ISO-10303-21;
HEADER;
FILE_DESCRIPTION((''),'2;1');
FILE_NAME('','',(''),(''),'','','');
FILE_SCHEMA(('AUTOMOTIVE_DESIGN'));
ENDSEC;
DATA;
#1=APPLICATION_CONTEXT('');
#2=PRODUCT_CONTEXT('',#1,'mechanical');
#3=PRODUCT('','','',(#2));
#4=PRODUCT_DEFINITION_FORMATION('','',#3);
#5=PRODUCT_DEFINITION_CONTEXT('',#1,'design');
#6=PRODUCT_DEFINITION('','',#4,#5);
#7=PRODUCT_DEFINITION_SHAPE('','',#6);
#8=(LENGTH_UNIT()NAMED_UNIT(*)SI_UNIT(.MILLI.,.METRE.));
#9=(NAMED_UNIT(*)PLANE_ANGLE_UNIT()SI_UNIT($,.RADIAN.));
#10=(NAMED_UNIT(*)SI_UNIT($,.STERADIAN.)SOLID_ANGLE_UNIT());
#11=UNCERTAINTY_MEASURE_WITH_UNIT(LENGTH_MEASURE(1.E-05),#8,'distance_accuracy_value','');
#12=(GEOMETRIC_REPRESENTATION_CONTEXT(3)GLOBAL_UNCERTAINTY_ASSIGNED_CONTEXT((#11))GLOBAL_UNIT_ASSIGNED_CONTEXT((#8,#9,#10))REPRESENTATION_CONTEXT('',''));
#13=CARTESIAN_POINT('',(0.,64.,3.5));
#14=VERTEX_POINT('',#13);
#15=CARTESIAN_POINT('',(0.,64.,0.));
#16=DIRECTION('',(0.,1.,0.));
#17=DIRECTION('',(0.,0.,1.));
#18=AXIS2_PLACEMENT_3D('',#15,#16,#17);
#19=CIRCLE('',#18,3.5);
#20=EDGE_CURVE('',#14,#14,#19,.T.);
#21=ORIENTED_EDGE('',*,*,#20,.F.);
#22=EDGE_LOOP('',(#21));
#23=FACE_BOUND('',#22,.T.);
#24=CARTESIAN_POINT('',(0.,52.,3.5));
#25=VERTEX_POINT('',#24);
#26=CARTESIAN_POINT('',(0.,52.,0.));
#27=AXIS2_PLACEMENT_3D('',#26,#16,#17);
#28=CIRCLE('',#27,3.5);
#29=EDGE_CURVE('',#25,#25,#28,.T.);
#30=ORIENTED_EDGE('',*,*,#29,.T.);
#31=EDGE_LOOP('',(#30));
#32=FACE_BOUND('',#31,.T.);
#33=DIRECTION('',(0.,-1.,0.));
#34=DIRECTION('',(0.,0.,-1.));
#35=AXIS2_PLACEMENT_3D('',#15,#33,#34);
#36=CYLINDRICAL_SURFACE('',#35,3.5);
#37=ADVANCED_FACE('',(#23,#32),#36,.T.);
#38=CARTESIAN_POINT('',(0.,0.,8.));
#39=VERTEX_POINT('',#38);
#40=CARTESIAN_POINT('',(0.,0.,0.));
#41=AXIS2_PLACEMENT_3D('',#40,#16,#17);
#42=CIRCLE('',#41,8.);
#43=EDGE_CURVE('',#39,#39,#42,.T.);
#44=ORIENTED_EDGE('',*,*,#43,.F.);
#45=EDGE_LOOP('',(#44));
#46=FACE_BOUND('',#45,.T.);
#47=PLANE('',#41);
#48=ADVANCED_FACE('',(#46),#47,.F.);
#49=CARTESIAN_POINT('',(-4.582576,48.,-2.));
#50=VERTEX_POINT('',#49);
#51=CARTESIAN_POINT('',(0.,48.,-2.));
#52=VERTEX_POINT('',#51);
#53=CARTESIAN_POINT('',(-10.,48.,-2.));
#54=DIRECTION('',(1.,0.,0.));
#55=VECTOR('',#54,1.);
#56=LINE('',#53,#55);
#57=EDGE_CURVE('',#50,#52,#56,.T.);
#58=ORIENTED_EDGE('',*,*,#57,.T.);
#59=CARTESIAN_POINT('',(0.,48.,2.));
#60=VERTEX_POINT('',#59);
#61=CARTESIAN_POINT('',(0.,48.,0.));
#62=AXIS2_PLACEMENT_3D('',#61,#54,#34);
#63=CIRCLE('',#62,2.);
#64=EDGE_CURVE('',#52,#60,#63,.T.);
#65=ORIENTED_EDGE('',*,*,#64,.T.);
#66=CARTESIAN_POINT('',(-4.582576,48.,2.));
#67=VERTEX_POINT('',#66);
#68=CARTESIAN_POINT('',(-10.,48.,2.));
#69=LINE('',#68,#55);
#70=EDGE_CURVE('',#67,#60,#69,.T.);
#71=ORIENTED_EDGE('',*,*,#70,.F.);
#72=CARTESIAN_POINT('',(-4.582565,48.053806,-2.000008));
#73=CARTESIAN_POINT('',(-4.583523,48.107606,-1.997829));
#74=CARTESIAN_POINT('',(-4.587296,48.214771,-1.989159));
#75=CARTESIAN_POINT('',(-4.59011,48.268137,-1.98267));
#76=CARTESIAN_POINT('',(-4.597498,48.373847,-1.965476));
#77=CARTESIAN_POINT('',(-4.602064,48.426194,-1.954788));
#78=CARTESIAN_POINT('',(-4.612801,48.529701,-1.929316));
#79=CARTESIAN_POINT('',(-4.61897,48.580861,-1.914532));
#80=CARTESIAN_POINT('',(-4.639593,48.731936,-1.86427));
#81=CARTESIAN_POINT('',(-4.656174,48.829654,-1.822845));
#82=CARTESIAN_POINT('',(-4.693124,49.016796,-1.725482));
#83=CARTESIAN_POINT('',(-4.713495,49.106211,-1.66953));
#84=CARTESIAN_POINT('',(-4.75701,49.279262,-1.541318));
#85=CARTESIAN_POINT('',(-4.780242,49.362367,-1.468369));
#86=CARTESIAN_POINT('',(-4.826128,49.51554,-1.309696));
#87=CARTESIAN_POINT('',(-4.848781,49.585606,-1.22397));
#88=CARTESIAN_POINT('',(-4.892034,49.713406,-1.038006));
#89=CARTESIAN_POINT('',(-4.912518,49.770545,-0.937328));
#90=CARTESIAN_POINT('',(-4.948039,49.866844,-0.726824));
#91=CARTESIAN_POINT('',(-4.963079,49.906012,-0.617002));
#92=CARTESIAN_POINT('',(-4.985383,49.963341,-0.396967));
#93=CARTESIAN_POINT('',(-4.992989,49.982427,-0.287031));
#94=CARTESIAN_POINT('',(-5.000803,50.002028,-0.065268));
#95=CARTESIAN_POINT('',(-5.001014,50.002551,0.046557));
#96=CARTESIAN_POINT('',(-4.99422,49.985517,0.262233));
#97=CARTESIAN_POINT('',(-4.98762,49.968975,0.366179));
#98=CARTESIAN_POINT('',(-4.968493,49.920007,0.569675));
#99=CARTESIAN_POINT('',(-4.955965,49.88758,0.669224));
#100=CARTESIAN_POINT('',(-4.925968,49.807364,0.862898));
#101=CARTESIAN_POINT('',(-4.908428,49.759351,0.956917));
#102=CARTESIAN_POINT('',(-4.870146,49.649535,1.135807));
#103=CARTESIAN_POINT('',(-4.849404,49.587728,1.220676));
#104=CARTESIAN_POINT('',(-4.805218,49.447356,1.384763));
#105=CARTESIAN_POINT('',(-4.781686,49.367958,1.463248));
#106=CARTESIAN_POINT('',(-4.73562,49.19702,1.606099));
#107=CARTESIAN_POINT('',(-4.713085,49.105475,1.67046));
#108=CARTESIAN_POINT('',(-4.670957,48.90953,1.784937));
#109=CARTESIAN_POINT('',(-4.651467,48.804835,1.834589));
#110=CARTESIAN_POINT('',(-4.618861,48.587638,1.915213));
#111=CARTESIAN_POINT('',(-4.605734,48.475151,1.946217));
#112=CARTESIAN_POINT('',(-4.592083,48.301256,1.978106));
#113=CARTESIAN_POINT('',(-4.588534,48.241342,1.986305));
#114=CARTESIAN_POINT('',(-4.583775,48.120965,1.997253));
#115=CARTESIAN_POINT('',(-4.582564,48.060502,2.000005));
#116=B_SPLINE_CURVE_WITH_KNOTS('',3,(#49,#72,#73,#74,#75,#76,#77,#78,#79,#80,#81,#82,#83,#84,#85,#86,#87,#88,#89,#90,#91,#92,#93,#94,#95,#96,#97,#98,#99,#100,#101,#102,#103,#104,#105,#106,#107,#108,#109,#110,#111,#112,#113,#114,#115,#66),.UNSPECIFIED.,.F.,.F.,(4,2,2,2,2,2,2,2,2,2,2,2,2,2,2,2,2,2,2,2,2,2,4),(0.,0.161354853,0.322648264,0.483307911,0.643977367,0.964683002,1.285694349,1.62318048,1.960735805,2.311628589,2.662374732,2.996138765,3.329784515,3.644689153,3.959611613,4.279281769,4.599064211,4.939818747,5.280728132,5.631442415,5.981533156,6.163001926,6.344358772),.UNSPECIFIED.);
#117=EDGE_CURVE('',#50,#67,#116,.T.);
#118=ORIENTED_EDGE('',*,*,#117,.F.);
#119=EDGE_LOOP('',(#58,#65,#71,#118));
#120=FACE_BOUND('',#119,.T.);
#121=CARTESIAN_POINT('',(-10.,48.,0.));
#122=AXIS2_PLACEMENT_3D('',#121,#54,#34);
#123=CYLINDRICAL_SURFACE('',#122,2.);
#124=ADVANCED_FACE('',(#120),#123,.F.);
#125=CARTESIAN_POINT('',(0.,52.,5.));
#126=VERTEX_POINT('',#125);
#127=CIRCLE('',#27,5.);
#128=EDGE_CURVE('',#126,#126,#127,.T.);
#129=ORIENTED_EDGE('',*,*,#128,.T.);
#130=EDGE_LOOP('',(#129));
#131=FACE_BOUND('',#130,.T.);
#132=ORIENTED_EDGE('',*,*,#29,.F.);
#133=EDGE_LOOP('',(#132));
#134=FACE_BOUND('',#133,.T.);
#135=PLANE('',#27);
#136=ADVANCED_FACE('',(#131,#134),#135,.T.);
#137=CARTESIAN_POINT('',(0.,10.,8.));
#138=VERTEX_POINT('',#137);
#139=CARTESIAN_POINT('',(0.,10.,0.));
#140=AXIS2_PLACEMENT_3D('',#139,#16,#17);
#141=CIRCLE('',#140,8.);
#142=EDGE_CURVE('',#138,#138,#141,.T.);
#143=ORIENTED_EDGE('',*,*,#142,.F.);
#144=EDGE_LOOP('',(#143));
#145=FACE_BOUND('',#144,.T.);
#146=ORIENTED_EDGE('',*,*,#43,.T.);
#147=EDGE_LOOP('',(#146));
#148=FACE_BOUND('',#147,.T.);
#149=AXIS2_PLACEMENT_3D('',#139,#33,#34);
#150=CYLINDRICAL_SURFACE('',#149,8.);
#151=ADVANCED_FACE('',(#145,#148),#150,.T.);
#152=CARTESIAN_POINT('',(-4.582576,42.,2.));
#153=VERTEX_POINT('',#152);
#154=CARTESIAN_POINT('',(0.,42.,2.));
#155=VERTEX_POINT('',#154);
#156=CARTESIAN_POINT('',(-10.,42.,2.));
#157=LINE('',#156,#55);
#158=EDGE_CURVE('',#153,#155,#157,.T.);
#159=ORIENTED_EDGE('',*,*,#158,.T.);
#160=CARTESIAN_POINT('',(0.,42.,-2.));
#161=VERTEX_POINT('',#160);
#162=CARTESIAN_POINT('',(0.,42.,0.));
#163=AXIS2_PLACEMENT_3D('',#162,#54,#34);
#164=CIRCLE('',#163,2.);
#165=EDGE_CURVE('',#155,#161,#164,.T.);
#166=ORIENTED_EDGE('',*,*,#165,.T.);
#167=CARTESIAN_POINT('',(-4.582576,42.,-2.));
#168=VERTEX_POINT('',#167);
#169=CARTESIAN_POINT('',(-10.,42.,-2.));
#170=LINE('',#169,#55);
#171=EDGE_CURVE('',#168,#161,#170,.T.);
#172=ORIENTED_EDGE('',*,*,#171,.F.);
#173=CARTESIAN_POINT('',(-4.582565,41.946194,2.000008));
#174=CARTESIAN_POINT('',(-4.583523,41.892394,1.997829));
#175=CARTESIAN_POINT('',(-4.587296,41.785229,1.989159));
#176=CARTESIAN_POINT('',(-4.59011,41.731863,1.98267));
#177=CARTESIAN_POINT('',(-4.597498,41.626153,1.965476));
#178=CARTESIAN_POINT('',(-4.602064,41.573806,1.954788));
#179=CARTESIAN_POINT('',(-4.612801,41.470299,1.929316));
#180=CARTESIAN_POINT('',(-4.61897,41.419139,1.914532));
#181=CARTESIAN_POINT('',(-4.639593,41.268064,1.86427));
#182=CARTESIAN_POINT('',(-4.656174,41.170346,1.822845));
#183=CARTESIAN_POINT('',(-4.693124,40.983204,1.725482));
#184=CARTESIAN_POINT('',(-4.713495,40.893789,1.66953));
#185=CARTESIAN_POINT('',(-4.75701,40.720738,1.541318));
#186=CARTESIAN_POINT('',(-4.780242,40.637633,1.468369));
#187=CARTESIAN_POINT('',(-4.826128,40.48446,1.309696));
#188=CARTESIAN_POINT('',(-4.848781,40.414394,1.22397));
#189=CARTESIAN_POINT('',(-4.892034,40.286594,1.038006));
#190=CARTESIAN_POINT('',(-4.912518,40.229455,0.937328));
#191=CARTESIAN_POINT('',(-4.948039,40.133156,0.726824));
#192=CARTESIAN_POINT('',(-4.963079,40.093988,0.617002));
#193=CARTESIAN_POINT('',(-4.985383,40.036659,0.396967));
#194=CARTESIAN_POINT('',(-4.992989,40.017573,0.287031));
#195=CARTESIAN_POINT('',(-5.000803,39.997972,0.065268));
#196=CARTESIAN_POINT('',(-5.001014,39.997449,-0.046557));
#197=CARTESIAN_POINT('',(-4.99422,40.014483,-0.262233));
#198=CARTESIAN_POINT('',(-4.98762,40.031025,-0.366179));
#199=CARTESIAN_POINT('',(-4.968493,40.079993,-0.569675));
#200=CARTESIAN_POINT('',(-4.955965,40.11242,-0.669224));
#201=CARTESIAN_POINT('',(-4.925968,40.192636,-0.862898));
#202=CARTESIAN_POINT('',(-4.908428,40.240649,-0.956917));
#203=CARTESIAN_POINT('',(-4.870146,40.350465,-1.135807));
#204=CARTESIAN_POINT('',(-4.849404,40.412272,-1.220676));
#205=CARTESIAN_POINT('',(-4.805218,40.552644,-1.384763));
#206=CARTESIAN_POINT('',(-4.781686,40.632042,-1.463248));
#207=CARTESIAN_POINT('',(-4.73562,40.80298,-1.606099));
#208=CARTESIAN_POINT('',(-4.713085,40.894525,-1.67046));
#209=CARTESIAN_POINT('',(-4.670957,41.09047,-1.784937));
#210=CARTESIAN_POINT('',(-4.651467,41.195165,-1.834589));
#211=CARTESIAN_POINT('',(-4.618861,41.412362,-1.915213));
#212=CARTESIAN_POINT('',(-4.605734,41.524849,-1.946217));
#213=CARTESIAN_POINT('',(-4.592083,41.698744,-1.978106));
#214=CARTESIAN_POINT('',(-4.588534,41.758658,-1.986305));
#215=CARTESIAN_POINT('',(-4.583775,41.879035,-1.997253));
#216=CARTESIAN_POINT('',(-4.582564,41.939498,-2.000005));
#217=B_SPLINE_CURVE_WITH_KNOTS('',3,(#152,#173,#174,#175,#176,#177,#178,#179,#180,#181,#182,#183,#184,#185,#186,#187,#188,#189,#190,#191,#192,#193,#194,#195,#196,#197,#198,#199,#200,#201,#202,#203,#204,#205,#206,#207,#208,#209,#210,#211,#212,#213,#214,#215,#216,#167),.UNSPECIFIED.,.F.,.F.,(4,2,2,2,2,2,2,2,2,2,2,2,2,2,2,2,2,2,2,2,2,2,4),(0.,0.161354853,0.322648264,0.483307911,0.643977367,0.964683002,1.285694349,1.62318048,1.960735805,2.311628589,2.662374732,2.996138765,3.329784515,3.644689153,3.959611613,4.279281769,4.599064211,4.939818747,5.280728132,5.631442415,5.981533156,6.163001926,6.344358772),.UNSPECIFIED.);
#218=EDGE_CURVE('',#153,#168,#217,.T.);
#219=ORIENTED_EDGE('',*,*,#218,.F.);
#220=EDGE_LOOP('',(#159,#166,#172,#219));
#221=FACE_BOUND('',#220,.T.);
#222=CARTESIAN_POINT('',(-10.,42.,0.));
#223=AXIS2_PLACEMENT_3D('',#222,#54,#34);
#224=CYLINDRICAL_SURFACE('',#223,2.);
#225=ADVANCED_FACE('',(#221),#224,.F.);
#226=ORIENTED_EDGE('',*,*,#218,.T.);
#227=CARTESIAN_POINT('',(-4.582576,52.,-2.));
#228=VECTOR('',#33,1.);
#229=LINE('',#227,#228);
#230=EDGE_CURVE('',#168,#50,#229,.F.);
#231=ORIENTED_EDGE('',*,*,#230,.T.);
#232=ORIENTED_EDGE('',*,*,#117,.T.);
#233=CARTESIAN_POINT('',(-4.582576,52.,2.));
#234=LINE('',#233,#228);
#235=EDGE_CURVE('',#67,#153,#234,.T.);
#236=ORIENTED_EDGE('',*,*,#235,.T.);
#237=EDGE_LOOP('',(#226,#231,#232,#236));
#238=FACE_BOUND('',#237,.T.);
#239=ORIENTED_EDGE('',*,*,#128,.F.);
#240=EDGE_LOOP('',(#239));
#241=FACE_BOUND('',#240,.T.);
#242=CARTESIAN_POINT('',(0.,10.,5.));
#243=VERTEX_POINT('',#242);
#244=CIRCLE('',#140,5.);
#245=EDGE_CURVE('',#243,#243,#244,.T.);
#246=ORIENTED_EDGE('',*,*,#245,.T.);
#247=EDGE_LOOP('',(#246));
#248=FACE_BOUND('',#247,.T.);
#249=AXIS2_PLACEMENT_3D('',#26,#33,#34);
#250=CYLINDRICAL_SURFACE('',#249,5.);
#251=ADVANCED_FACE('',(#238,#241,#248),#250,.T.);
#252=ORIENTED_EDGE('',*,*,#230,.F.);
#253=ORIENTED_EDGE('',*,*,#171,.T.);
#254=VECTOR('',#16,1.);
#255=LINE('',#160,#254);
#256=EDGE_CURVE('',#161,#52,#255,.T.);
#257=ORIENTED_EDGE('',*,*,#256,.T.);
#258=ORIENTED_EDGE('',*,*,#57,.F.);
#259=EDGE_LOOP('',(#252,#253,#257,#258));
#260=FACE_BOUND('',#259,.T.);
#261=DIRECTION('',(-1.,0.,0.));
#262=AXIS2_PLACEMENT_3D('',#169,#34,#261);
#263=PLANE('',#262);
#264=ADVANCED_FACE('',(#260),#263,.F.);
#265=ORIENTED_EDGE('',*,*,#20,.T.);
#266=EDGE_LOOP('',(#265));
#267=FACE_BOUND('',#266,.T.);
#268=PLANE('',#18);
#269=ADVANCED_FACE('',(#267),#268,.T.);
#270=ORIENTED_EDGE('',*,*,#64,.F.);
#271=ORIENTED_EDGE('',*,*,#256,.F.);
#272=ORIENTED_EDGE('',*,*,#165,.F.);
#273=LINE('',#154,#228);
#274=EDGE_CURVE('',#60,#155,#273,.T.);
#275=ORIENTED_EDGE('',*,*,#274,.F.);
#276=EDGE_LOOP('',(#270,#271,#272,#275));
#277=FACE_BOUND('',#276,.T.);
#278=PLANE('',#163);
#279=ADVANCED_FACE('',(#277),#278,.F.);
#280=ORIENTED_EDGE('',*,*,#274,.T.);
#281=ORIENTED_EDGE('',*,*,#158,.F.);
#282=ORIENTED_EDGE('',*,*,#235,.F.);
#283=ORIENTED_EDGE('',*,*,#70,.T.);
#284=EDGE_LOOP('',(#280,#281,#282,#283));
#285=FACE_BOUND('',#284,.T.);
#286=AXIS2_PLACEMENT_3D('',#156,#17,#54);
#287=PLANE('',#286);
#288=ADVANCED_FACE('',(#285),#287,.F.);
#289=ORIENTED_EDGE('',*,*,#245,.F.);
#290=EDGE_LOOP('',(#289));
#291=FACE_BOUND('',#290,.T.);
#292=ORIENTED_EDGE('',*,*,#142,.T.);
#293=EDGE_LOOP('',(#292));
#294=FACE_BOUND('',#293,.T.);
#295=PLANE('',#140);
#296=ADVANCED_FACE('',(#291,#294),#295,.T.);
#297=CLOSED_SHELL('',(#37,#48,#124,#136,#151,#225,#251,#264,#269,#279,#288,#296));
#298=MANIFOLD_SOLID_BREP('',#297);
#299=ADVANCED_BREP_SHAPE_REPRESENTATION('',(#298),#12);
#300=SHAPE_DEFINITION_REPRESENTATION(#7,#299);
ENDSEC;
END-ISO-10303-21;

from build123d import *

# Parameters (mm, degrees)
SKETCH_1_R          = 8
EXTRUDE_1_DEPTH     = 10
SKETCH_2_R          = 5
EXTRUDE_2_DEPTH     = 42
SKETCH_3_R          = 3.5
EXTRUDE_3_DEPTH     = 12
CUT_EXTRUDE_1_DEPTH = 10


with BuildPart() as part:
    # Эскиз1 → Бобышка-Вытянуть1 (new body)
    with BuildSketch(Plane(origin=(0, 0, 0), x_dir=(1, 0, 0), z_dir=(0, 1, 0))):
        Circle(SKETCH_1_R)
    extrude(amount=EXTRUDE_1_DEPTH)

    # Эскиз2 → Бобышка-Вытянуть2 (add)
    with BuildSketch(Plane(origin=(0, 10, 0), x_dir=(1, 0, 0), z_dir=(0, 1, 0))):
        Circle(SKETCH_2_R)
    extrude(amount=EXTRUDE_2_DEPTH)

    # Эскиз3 → Бобышка-Вытянуть3 (add)
    with BuildSketch(Plane(origin=(0, 52, 0), x_dir=(1, 0, 0), z_dir=(0, 1, 0))):
        Circle(SKETCH_3_R)
    extrude(amount=EXTRUDE_3_DEPTH)

    # Эскиз4 → Вырез-Вытянуть1 (cut)
    with BuildSketch(Plane(origin=(0, 0, 0), x_dir=(0, 0, -1), z_dir=(1, 0, 0))):
        with BuildLine():
            Line((-2, 42), (-2, 48))
            ThreePointArc((-2, 48), (0, 50), (2, 48))
            Line((2, 48), (2, 42))
            ThreePointArc((2, 42), (0, 40), (-2, 42))
        make_face()
    extrude(amount=-CUT_EXTRUDE_1_DEPTH, mode=Mode.SUBTRACT)


solid = part.part
